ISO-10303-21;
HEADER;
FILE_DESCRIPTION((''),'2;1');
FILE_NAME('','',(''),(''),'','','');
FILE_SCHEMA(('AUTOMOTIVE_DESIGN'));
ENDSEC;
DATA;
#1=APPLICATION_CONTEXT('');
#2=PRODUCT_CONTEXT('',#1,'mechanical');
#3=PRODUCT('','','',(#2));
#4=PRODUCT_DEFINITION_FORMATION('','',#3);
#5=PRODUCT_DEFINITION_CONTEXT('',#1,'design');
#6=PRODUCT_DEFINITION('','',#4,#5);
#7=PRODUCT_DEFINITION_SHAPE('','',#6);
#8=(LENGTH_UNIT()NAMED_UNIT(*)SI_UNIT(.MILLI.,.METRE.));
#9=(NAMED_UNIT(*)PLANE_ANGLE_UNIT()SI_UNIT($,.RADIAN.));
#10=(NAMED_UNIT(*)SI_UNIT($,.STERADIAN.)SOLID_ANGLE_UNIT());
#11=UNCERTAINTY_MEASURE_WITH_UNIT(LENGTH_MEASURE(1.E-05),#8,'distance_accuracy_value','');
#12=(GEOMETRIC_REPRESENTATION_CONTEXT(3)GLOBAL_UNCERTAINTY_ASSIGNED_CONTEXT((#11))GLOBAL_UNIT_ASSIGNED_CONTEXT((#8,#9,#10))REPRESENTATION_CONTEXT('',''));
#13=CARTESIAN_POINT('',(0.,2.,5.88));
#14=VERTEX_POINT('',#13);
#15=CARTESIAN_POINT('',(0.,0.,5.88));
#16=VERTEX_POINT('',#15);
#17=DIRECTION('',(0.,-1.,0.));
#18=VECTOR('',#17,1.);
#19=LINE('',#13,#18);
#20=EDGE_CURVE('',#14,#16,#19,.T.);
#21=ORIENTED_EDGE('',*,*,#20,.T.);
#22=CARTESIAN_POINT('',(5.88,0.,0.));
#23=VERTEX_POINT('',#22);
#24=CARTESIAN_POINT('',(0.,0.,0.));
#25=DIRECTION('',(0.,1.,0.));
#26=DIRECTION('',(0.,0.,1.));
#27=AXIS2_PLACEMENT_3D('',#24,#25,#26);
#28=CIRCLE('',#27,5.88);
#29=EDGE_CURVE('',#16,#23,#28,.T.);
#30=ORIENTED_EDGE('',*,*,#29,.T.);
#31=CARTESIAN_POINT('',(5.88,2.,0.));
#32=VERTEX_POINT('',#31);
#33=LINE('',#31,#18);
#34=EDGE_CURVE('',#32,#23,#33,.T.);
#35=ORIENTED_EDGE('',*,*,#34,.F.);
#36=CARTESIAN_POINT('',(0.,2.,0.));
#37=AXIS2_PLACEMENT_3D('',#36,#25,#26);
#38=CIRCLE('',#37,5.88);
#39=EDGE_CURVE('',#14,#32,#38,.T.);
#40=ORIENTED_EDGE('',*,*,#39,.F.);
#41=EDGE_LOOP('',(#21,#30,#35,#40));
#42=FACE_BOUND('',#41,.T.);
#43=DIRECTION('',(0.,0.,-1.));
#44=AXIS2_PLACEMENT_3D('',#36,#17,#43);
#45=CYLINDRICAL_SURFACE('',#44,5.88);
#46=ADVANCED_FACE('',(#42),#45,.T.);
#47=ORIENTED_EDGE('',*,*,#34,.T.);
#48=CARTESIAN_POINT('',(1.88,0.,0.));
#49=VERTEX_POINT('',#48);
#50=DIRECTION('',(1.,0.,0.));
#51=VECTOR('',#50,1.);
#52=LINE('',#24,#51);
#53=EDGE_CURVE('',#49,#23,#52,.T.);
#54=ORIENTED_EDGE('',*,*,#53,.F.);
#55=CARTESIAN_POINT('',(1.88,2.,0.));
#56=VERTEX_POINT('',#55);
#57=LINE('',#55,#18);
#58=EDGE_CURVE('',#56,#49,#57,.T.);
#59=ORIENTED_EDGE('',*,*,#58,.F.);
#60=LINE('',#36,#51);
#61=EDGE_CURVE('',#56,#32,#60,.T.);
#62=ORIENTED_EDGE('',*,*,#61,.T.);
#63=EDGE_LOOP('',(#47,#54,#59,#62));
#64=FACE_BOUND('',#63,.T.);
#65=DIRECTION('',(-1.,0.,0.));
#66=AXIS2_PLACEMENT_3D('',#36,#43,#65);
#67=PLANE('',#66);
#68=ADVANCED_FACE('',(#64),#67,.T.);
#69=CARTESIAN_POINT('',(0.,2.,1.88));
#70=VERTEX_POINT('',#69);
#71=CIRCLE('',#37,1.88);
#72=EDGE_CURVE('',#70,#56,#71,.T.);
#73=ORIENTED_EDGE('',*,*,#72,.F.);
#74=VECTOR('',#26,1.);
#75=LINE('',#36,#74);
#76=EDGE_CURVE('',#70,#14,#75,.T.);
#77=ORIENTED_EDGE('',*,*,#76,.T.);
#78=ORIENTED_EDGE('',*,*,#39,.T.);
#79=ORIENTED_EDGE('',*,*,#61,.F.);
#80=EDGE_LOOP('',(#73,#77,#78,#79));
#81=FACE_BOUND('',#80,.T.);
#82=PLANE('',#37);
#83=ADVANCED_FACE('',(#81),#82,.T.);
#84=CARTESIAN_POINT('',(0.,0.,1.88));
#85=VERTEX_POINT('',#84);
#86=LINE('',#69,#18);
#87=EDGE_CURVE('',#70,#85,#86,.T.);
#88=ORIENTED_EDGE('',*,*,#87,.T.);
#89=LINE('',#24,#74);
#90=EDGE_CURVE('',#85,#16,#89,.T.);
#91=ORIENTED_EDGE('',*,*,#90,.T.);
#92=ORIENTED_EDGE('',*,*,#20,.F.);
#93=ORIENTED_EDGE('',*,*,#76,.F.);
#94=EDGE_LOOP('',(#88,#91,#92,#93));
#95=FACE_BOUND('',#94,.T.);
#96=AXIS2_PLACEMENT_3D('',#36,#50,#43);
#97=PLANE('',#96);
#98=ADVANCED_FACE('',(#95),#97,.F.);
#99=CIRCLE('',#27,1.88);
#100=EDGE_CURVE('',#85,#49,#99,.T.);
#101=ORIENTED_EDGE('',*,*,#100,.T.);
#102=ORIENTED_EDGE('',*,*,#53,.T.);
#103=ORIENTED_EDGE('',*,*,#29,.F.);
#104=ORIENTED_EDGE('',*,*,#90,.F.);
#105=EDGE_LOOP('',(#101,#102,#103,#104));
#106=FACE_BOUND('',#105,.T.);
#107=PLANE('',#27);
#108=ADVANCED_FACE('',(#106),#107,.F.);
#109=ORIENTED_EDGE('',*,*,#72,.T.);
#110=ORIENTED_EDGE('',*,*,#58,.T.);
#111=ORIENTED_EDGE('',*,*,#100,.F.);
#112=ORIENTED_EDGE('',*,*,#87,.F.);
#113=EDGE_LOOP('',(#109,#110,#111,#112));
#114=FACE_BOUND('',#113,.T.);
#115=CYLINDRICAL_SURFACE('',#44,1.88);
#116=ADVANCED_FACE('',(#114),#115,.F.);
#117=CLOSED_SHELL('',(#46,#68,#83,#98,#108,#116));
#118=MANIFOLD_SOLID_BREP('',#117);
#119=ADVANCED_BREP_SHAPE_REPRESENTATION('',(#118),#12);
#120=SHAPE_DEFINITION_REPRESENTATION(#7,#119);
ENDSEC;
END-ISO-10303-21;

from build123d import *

# Parameters (mm, degrees)
BOSS_EXTRUDE1_DEPTH = 2


with BuildPart() as part:
    # Sketch2 → Boss-Extrude1 (new body)
    with BuildSketch(Plane(origin=(0, 0, 0), x_dir=(1, 0, 0), z_dir=(0, 1, 0))):
        with BuildLine():
            Line((1.88, 0), (5.88, 0))
            ThreePointArc((5.88, 0), (4.157787873, -4.157787873), (0, -5.88))
            Line((0, -5.88), (0, -1.88))
            ThreePointArc((0, -1.88), (1.329360749, -1.329360749), (1.88, 0))
        make_face()
    extrude(amount=BOSS_EXTRUDE1_DEPTH)


solid = part.part
